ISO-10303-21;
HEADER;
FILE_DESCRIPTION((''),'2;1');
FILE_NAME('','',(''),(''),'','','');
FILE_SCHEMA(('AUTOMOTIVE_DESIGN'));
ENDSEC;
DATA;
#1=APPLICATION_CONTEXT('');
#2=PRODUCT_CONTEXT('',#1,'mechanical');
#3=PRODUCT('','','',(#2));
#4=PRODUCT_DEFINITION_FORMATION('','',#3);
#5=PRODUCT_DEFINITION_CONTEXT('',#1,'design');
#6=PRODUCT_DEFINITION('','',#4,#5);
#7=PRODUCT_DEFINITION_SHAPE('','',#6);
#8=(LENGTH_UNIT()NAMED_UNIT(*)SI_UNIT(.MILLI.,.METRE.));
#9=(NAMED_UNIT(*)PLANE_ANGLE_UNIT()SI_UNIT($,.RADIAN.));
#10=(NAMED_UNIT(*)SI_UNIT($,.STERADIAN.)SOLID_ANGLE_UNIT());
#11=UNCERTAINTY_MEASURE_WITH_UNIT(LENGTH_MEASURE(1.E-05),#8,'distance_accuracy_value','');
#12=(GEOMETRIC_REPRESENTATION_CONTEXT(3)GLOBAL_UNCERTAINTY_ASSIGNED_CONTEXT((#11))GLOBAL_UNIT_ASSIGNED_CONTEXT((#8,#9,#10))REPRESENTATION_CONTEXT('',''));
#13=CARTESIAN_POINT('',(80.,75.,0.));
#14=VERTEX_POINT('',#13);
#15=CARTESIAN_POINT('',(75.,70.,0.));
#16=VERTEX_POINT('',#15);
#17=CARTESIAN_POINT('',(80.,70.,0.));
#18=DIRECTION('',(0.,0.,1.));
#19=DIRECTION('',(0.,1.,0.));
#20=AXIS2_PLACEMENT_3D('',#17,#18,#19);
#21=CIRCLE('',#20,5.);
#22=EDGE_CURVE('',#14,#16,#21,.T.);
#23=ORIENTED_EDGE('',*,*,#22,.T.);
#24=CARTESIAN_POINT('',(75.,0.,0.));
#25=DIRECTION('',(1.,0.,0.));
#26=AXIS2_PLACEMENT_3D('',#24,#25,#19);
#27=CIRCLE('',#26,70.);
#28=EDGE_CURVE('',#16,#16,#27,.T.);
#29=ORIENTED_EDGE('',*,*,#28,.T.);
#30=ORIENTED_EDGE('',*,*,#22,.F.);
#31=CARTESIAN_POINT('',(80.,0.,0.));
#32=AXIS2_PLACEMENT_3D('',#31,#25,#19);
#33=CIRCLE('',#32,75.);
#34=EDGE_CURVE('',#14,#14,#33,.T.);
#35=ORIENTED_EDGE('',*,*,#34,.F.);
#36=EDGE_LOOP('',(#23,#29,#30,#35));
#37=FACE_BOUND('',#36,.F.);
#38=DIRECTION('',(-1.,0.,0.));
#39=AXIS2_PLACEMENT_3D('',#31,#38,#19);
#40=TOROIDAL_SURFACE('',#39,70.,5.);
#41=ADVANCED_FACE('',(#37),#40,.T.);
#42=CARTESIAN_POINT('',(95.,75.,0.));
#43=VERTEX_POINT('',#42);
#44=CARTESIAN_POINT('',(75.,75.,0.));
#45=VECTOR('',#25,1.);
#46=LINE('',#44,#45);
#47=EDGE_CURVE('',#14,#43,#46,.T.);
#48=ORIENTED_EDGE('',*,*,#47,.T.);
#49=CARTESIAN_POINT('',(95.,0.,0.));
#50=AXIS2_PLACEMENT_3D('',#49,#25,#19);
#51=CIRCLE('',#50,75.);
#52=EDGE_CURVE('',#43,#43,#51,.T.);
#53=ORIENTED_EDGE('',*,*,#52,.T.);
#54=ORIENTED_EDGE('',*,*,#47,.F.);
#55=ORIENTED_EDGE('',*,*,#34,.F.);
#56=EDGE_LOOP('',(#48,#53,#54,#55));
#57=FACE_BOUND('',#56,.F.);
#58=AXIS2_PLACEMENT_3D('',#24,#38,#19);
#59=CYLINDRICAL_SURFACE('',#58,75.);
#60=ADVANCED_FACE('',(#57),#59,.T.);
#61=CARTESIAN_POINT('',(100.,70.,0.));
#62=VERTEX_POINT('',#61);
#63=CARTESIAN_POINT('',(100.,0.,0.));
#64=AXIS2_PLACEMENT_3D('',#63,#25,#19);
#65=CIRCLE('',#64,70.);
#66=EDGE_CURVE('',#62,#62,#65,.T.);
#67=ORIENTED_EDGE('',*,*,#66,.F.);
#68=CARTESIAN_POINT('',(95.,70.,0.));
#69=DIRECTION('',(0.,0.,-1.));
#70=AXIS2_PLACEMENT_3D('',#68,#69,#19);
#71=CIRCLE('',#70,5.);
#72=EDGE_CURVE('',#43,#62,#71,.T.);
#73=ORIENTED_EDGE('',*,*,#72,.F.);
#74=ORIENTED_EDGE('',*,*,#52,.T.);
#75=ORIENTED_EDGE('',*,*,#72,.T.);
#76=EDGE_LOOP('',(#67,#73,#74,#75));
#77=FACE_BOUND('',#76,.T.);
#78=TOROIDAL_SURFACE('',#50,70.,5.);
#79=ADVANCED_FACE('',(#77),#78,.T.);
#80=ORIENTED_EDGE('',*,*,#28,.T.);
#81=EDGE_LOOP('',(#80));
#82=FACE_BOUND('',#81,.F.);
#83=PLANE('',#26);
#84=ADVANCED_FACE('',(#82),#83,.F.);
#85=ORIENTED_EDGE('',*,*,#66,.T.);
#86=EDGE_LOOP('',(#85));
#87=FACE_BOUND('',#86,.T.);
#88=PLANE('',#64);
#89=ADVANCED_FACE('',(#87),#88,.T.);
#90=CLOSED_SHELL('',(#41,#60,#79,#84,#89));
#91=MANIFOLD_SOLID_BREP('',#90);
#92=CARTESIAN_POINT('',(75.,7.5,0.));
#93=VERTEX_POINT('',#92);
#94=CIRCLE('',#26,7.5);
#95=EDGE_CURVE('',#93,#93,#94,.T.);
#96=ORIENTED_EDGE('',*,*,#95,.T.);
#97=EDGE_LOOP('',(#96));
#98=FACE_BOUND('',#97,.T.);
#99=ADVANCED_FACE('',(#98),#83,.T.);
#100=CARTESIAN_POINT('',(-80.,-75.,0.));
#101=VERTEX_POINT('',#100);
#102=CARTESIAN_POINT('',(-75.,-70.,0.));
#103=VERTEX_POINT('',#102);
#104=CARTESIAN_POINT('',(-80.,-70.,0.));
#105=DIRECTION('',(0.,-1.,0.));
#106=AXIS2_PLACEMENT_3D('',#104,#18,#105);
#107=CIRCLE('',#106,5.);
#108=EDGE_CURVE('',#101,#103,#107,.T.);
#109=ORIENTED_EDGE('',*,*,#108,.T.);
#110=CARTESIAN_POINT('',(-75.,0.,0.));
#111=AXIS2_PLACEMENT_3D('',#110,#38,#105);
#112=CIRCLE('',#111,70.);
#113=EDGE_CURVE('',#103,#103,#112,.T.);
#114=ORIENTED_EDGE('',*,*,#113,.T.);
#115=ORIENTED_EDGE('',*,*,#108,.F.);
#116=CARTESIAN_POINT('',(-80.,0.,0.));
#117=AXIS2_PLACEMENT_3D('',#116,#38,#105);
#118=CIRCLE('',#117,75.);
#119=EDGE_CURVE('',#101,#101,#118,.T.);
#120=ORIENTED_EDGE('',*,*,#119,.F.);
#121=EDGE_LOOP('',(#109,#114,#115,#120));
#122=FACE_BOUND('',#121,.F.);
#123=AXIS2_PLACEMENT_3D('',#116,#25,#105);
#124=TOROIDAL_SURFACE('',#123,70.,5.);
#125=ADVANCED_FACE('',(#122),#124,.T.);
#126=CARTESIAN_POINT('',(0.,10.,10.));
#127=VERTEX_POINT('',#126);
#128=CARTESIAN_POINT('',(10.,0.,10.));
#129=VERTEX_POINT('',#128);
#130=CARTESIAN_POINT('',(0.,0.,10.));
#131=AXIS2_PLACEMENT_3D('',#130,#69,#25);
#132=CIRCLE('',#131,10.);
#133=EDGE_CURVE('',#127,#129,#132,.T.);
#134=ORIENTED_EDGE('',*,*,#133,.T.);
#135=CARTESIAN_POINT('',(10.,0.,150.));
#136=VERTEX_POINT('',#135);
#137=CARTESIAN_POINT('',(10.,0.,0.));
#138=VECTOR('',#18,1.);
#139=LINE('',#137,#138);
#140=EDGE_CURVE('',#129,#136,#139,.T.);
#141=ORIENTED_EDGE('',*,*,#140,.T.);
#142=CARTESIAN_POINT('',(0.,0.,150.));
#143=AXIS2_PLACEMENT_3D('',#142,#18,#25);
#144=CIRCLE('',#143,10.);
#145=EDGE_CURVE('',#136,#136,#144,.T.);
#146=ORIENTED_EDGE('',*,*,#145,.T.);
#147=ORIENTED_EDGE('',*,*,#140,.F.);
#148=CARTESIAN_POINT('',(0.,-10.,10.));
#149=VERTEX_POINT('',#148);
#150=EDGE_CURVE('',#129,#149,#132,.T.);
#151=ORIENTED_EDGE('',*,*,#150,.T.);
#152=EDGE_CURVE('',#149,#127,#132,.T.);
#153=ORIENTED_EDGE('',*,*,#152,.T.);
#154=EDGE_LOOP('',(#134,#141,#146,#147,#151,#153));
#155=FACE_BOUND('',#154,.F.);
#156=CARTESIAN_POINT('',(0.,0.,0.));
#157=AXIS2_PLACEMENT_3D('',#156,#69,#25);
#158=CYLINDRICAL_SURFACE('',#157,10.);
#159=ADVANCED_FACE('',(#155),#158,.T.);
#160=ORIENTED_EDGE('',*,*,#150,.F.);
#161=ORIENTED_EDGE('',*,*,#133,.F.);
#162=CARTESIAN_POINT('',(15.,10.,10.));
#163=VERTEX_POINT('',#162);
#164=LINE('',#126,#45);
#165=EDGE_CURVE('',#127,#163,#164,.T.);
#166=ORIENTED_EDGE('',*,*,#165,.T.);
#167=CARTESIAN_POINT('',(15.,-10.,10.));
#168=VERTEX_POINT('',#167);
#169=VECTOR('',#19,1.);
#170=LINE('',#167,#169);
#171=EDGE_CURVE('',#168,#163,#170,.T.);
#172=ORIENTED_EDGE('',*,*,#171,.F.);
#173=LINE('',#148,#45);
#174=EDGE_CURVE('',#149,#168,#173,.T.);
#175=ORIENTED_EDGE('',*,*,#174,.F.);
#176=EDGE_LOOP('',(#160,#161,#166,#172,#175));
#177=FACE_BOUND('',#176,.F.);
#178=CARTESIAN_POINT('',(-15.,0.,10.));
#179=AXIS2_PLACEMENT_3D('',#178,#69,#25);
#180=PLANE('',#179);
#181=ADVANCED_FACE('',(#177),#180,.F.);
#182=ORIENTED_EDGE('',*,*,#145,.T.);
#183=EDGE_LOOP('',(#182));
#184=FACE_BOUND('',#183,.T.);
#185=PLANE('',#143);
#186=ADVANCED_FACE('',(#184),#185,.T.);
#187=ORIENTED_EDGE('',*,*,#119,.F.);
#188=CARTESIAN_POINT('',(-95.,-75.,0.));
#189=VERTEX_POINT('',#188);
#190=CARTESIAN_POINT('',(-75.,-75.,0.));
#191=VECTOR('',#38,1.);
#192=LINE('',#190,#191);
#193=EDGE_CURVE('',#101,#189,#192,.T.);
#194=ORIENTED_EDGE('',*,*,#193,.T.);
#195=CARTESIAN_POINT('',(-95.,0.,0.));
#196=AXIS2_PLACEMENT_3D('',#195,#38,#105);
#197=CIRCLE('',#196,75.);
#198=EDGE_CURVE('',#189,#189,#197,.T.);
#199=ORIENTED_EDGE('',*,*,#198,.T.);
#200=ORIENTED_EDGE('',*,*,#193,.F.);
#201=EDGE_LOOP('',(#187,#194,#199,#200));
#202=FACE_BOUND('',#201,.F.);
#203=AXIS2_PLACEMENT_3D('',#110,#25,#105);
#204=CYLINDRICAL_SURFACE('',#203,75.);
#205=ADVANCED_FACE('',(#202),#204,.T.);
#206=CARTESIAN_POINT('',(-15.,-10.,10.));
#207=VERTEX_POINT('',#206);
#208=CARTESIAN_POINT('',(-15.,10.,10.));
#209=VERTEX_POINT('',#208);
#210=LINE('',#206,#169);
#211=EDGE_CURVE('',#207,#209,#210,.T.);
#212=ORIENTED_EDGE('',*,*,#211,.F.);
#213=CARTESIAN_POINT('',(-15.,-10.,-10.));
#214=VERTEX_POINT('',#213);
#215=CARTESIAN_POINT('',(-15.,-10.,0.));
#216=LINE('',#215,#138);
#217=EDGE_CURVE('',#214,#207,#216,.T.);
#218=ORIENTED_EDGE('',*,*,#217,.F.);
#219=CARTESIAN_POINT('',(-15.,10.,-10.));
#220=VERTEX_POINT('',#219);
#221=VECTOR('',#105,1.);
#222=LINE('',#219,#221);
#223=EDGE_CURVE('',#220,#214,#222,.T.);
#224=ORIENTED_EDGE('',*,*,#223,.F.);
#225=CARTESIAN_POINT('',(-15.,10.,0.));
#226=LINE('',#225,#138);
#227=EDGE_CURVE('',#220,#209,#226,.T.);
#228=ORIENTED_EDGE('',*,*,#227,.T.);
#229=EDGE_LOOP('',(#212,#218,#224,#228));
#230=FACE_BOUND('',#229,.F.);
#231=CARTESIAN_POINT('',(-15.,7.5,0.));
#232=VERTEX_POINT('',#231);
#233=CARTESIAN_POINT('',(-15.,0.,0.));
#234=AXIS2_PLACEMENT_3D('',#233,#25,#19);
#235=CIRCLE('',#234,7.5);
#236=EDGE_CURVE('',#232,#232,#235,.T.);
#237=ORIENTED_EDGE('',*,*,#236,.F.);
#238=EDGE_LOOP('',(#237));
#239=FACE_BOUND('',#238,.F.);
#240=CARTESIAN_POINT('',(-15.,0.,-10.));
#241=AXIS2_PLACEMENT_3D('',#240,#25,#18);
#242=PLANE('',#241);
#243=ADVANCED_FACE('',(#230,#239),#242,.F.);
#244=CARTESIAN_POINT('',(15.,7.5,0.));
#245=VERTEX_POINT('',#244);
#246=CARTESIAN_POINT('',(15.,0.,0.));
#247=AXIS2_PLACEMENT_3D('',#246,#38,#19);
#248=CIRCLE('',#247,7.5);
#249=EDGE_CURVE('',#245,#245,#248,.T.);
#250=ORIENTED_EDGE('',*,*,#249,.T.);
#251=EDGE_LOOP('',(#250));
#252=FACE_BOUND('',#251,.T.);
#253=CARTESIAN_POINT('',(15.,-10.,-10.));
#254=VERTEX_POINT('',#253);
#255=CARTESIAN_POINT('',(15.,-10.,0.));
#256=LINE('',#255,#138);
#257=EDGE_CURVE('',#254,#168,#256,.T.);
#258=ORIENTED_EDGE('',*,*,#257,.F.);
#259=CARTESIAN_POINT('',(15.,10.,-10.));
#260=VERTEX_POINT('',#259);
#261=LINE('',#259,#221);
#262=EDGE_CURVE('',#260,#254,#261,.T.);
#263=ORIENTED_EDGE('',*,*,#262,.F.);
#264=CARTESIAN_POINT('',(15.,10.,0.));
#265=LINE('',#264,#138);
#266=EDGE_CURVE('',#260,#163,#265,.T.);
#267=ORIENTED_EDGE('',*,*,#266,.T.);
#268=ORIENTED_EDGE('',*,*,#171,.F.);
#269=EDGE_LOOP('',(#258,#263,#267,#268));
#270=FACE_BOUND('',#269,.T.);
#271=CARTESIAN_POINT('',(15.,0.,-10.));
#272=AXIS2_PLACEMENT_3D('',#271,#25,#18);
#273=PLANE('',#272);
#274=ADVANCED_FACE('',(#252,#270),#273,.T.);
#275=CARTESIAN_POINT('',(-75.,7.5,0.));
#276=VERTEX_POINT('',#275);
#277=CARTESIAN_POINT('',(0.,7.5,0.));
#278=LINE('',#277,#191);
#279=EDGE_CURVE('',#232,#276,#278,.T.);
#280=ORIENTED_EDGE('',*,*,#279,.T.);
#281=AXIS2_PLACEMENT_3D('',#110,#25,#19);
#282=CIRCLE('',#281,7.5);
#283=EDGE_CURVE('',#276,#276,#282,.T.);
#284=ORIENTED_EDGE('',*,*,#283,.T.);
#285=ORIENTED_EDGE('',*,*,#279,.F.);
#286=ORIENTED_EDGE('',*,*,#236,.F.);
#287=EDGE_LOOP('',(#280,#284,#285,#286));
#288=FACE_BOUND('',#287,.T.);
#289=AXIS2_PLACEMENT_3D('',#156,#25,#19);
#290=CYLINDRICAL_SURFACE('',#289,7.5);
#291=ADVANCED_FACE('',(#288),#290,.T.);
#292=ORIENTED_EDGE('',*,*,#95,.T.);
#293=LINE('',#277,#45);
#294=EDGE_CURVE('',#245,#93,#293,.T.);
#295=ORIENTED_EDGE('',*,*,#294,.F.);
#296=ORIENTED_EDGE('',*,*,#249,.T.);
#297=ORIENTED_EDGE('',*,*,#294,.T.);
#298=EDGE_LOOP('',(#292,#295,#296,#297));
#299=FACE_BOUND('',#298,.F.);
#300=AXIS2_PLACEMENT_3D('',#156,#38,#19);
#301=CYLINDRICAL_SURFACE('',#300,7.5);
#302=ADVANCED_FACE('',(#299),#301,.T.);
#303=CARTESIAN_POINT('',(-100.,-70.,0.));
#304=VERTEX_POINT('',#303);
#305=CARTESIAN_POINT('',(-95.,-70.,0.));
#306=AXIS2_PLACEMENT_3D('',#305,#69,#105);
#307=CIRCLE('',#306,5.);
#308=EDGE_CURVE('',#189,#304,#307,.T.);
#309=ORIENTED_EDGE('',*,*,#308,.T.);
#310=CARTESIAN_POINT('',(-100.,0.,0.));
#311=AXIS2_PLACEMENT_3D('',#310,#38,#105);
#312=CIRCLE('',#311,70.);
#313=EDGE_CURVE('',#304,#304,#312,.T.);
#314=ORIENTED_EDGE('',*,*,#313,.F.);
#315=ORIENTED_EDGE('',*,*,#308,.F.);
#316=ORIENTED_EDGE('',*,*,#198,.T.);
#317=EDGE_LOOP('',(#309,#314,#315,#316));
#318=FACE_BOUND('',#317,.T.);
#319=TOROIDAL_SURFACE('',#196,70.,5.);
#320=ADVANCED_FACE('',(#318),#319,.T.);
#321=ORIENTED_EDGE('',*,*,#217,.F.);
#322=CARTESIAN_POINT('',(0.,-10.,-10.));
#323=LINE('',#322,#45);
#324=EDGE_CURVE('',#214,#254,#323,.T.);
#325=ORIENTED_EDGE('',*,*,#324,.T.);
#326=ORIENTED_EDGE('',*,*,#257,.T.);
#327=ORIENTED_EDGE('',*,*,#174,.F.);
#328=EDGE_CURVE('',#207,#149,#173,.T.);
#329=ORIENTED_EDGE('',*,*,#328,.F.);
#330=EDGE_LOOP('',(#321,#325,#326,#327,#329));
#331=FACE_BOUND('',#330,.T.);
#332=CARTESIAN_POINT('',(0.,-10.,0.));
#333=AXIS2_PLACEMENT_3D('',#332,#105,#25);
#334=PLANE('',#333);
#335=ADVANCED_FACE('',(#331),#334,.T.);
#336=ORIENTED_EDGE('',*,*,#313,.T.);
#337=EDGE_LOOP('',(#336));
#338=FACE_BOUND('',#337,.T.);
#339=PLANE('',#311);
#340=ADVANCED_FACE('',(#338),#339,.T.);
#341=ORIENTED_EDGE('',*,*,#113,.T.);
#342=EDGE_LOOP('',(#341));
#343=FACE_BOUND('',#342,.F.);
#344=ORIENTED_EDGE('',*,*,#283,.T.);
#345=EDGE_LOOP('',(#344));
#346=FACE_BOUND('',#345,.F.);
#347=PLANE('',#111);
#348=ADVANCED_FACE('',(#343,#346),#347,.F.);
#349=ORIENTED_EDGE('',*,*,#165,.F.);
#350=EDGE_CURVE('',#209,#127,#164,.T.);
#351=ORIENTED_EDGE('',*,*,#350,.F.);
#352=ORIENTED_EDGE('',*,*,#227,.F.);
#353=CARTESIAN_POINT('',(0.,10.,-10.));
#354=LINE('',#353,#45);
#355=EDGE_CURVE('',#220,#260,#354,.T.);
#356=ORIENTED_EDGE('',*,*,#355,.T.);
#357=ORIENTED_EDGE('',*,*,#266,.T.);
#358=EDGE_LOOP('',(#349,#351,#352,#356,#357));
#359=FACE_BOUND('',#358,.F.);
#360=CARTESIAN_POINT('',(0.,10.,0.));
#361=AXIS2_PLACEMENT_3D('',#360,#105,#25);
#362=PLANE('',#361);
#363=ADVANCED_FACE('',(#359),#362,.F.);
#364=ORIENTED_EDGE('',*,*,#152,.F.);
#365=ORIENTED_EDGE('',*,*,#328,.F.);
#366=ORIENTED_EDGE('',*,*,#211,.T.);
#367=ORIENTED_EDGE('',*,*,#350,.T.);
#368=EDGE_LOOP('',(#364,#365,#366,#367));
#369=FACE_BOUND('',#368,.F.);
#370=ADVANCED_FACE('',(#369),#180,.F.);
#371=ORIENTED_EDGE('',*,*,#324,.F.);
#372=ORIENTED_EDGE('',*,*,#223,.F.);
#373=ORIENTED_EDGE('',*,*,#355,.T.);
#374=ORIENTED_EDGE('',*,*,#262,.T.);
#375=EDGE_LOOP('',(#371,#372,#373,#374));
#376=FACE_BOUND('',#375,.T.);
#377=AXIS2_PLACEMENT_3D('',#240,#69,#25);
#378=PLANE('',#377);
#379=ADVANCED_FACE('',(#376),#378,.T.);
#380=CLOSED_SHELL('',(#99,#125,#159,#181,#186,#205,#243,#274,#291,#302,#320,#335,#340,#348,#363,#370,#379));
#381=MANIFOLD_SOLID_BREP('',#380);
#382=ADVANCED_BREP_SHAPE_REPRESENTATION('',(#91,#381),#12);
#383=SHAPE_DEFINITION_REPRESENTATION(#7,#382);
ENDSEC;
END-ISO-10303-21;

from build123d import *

# Parameters (mm, degrees)
F0_W          = 30
F0_H          = 20
F1_DEPTH      = 10
F1_DEPTH_BACK = 10
F2_R          = 7.5
F3_DEPTH      = 75
F3_DEPTH_BACK = 75
F4_R          = 75
F5_DEPTH      = 25
F6_R          = 5
F7_R          = 75
F8_DEPTH      = 25
F9_R          = 5
F10_R         = 10
F11_DEPTH     = 150


with BuildPart() as f1:
    # F0 (on Front) → F1 (new body, two sides)
    with BuildSketch(Plane.XZ) as f1_sk:
        Rectangle(F0_W, F0_H)
    extrude(amount=F1_DEPTH)
    extrude(f1_sk.sketch, amount=-F1_DEPTH_BACK)

    # F2 (on Right) → F3 (join, two sides)
    with BuildSketch(Plane.YZ) as f3_sk:
        Circle(F2_R)
    extrude(amount=F3_DEPTH)
    extrude(f3_sk.sketch, amount=-F3_DEPTH_BACK)

    # F7 (on face) → F8 (join)
    with BuildSketch(Plane(origin=(-75, 0, 0), x_dir=(0, -1, 0), z_dir=(-1, 0, 0))):
        Circle(F7_R)
    extrude(amount=F8_DEPTH)

    # F9
    f9_edges = [f1.edges().sort_by_distance(p)[0] for p in [
        (-100, 75, 0),
        (-75, 75, 0),
    ]]
    fillet(f9_edges, radius=F9_R)

    # F10 (on Top) → F11 (join)
    with BuildSketch(Plane.XY):
        Circle(F10_R)
    extrude(amount=F11_DEPTH)


with BuildPart() as f5:
    # F4 (on face) → F5 (new body)
    with BuildSketch(Plane.YZ.offset(75)):
        Circle(F4_R)
    extrude(amount=F5_DEPTH)

    # F6
    f6_edges = [f5.edges().sort_by_distance(p)[0] for p in [
        (75, -75, 0),
        (100, -75, 0),
    ]]
    fillet(f6_edges, radius=F6_R)


solid = Compound([f1.part, f5.part])
